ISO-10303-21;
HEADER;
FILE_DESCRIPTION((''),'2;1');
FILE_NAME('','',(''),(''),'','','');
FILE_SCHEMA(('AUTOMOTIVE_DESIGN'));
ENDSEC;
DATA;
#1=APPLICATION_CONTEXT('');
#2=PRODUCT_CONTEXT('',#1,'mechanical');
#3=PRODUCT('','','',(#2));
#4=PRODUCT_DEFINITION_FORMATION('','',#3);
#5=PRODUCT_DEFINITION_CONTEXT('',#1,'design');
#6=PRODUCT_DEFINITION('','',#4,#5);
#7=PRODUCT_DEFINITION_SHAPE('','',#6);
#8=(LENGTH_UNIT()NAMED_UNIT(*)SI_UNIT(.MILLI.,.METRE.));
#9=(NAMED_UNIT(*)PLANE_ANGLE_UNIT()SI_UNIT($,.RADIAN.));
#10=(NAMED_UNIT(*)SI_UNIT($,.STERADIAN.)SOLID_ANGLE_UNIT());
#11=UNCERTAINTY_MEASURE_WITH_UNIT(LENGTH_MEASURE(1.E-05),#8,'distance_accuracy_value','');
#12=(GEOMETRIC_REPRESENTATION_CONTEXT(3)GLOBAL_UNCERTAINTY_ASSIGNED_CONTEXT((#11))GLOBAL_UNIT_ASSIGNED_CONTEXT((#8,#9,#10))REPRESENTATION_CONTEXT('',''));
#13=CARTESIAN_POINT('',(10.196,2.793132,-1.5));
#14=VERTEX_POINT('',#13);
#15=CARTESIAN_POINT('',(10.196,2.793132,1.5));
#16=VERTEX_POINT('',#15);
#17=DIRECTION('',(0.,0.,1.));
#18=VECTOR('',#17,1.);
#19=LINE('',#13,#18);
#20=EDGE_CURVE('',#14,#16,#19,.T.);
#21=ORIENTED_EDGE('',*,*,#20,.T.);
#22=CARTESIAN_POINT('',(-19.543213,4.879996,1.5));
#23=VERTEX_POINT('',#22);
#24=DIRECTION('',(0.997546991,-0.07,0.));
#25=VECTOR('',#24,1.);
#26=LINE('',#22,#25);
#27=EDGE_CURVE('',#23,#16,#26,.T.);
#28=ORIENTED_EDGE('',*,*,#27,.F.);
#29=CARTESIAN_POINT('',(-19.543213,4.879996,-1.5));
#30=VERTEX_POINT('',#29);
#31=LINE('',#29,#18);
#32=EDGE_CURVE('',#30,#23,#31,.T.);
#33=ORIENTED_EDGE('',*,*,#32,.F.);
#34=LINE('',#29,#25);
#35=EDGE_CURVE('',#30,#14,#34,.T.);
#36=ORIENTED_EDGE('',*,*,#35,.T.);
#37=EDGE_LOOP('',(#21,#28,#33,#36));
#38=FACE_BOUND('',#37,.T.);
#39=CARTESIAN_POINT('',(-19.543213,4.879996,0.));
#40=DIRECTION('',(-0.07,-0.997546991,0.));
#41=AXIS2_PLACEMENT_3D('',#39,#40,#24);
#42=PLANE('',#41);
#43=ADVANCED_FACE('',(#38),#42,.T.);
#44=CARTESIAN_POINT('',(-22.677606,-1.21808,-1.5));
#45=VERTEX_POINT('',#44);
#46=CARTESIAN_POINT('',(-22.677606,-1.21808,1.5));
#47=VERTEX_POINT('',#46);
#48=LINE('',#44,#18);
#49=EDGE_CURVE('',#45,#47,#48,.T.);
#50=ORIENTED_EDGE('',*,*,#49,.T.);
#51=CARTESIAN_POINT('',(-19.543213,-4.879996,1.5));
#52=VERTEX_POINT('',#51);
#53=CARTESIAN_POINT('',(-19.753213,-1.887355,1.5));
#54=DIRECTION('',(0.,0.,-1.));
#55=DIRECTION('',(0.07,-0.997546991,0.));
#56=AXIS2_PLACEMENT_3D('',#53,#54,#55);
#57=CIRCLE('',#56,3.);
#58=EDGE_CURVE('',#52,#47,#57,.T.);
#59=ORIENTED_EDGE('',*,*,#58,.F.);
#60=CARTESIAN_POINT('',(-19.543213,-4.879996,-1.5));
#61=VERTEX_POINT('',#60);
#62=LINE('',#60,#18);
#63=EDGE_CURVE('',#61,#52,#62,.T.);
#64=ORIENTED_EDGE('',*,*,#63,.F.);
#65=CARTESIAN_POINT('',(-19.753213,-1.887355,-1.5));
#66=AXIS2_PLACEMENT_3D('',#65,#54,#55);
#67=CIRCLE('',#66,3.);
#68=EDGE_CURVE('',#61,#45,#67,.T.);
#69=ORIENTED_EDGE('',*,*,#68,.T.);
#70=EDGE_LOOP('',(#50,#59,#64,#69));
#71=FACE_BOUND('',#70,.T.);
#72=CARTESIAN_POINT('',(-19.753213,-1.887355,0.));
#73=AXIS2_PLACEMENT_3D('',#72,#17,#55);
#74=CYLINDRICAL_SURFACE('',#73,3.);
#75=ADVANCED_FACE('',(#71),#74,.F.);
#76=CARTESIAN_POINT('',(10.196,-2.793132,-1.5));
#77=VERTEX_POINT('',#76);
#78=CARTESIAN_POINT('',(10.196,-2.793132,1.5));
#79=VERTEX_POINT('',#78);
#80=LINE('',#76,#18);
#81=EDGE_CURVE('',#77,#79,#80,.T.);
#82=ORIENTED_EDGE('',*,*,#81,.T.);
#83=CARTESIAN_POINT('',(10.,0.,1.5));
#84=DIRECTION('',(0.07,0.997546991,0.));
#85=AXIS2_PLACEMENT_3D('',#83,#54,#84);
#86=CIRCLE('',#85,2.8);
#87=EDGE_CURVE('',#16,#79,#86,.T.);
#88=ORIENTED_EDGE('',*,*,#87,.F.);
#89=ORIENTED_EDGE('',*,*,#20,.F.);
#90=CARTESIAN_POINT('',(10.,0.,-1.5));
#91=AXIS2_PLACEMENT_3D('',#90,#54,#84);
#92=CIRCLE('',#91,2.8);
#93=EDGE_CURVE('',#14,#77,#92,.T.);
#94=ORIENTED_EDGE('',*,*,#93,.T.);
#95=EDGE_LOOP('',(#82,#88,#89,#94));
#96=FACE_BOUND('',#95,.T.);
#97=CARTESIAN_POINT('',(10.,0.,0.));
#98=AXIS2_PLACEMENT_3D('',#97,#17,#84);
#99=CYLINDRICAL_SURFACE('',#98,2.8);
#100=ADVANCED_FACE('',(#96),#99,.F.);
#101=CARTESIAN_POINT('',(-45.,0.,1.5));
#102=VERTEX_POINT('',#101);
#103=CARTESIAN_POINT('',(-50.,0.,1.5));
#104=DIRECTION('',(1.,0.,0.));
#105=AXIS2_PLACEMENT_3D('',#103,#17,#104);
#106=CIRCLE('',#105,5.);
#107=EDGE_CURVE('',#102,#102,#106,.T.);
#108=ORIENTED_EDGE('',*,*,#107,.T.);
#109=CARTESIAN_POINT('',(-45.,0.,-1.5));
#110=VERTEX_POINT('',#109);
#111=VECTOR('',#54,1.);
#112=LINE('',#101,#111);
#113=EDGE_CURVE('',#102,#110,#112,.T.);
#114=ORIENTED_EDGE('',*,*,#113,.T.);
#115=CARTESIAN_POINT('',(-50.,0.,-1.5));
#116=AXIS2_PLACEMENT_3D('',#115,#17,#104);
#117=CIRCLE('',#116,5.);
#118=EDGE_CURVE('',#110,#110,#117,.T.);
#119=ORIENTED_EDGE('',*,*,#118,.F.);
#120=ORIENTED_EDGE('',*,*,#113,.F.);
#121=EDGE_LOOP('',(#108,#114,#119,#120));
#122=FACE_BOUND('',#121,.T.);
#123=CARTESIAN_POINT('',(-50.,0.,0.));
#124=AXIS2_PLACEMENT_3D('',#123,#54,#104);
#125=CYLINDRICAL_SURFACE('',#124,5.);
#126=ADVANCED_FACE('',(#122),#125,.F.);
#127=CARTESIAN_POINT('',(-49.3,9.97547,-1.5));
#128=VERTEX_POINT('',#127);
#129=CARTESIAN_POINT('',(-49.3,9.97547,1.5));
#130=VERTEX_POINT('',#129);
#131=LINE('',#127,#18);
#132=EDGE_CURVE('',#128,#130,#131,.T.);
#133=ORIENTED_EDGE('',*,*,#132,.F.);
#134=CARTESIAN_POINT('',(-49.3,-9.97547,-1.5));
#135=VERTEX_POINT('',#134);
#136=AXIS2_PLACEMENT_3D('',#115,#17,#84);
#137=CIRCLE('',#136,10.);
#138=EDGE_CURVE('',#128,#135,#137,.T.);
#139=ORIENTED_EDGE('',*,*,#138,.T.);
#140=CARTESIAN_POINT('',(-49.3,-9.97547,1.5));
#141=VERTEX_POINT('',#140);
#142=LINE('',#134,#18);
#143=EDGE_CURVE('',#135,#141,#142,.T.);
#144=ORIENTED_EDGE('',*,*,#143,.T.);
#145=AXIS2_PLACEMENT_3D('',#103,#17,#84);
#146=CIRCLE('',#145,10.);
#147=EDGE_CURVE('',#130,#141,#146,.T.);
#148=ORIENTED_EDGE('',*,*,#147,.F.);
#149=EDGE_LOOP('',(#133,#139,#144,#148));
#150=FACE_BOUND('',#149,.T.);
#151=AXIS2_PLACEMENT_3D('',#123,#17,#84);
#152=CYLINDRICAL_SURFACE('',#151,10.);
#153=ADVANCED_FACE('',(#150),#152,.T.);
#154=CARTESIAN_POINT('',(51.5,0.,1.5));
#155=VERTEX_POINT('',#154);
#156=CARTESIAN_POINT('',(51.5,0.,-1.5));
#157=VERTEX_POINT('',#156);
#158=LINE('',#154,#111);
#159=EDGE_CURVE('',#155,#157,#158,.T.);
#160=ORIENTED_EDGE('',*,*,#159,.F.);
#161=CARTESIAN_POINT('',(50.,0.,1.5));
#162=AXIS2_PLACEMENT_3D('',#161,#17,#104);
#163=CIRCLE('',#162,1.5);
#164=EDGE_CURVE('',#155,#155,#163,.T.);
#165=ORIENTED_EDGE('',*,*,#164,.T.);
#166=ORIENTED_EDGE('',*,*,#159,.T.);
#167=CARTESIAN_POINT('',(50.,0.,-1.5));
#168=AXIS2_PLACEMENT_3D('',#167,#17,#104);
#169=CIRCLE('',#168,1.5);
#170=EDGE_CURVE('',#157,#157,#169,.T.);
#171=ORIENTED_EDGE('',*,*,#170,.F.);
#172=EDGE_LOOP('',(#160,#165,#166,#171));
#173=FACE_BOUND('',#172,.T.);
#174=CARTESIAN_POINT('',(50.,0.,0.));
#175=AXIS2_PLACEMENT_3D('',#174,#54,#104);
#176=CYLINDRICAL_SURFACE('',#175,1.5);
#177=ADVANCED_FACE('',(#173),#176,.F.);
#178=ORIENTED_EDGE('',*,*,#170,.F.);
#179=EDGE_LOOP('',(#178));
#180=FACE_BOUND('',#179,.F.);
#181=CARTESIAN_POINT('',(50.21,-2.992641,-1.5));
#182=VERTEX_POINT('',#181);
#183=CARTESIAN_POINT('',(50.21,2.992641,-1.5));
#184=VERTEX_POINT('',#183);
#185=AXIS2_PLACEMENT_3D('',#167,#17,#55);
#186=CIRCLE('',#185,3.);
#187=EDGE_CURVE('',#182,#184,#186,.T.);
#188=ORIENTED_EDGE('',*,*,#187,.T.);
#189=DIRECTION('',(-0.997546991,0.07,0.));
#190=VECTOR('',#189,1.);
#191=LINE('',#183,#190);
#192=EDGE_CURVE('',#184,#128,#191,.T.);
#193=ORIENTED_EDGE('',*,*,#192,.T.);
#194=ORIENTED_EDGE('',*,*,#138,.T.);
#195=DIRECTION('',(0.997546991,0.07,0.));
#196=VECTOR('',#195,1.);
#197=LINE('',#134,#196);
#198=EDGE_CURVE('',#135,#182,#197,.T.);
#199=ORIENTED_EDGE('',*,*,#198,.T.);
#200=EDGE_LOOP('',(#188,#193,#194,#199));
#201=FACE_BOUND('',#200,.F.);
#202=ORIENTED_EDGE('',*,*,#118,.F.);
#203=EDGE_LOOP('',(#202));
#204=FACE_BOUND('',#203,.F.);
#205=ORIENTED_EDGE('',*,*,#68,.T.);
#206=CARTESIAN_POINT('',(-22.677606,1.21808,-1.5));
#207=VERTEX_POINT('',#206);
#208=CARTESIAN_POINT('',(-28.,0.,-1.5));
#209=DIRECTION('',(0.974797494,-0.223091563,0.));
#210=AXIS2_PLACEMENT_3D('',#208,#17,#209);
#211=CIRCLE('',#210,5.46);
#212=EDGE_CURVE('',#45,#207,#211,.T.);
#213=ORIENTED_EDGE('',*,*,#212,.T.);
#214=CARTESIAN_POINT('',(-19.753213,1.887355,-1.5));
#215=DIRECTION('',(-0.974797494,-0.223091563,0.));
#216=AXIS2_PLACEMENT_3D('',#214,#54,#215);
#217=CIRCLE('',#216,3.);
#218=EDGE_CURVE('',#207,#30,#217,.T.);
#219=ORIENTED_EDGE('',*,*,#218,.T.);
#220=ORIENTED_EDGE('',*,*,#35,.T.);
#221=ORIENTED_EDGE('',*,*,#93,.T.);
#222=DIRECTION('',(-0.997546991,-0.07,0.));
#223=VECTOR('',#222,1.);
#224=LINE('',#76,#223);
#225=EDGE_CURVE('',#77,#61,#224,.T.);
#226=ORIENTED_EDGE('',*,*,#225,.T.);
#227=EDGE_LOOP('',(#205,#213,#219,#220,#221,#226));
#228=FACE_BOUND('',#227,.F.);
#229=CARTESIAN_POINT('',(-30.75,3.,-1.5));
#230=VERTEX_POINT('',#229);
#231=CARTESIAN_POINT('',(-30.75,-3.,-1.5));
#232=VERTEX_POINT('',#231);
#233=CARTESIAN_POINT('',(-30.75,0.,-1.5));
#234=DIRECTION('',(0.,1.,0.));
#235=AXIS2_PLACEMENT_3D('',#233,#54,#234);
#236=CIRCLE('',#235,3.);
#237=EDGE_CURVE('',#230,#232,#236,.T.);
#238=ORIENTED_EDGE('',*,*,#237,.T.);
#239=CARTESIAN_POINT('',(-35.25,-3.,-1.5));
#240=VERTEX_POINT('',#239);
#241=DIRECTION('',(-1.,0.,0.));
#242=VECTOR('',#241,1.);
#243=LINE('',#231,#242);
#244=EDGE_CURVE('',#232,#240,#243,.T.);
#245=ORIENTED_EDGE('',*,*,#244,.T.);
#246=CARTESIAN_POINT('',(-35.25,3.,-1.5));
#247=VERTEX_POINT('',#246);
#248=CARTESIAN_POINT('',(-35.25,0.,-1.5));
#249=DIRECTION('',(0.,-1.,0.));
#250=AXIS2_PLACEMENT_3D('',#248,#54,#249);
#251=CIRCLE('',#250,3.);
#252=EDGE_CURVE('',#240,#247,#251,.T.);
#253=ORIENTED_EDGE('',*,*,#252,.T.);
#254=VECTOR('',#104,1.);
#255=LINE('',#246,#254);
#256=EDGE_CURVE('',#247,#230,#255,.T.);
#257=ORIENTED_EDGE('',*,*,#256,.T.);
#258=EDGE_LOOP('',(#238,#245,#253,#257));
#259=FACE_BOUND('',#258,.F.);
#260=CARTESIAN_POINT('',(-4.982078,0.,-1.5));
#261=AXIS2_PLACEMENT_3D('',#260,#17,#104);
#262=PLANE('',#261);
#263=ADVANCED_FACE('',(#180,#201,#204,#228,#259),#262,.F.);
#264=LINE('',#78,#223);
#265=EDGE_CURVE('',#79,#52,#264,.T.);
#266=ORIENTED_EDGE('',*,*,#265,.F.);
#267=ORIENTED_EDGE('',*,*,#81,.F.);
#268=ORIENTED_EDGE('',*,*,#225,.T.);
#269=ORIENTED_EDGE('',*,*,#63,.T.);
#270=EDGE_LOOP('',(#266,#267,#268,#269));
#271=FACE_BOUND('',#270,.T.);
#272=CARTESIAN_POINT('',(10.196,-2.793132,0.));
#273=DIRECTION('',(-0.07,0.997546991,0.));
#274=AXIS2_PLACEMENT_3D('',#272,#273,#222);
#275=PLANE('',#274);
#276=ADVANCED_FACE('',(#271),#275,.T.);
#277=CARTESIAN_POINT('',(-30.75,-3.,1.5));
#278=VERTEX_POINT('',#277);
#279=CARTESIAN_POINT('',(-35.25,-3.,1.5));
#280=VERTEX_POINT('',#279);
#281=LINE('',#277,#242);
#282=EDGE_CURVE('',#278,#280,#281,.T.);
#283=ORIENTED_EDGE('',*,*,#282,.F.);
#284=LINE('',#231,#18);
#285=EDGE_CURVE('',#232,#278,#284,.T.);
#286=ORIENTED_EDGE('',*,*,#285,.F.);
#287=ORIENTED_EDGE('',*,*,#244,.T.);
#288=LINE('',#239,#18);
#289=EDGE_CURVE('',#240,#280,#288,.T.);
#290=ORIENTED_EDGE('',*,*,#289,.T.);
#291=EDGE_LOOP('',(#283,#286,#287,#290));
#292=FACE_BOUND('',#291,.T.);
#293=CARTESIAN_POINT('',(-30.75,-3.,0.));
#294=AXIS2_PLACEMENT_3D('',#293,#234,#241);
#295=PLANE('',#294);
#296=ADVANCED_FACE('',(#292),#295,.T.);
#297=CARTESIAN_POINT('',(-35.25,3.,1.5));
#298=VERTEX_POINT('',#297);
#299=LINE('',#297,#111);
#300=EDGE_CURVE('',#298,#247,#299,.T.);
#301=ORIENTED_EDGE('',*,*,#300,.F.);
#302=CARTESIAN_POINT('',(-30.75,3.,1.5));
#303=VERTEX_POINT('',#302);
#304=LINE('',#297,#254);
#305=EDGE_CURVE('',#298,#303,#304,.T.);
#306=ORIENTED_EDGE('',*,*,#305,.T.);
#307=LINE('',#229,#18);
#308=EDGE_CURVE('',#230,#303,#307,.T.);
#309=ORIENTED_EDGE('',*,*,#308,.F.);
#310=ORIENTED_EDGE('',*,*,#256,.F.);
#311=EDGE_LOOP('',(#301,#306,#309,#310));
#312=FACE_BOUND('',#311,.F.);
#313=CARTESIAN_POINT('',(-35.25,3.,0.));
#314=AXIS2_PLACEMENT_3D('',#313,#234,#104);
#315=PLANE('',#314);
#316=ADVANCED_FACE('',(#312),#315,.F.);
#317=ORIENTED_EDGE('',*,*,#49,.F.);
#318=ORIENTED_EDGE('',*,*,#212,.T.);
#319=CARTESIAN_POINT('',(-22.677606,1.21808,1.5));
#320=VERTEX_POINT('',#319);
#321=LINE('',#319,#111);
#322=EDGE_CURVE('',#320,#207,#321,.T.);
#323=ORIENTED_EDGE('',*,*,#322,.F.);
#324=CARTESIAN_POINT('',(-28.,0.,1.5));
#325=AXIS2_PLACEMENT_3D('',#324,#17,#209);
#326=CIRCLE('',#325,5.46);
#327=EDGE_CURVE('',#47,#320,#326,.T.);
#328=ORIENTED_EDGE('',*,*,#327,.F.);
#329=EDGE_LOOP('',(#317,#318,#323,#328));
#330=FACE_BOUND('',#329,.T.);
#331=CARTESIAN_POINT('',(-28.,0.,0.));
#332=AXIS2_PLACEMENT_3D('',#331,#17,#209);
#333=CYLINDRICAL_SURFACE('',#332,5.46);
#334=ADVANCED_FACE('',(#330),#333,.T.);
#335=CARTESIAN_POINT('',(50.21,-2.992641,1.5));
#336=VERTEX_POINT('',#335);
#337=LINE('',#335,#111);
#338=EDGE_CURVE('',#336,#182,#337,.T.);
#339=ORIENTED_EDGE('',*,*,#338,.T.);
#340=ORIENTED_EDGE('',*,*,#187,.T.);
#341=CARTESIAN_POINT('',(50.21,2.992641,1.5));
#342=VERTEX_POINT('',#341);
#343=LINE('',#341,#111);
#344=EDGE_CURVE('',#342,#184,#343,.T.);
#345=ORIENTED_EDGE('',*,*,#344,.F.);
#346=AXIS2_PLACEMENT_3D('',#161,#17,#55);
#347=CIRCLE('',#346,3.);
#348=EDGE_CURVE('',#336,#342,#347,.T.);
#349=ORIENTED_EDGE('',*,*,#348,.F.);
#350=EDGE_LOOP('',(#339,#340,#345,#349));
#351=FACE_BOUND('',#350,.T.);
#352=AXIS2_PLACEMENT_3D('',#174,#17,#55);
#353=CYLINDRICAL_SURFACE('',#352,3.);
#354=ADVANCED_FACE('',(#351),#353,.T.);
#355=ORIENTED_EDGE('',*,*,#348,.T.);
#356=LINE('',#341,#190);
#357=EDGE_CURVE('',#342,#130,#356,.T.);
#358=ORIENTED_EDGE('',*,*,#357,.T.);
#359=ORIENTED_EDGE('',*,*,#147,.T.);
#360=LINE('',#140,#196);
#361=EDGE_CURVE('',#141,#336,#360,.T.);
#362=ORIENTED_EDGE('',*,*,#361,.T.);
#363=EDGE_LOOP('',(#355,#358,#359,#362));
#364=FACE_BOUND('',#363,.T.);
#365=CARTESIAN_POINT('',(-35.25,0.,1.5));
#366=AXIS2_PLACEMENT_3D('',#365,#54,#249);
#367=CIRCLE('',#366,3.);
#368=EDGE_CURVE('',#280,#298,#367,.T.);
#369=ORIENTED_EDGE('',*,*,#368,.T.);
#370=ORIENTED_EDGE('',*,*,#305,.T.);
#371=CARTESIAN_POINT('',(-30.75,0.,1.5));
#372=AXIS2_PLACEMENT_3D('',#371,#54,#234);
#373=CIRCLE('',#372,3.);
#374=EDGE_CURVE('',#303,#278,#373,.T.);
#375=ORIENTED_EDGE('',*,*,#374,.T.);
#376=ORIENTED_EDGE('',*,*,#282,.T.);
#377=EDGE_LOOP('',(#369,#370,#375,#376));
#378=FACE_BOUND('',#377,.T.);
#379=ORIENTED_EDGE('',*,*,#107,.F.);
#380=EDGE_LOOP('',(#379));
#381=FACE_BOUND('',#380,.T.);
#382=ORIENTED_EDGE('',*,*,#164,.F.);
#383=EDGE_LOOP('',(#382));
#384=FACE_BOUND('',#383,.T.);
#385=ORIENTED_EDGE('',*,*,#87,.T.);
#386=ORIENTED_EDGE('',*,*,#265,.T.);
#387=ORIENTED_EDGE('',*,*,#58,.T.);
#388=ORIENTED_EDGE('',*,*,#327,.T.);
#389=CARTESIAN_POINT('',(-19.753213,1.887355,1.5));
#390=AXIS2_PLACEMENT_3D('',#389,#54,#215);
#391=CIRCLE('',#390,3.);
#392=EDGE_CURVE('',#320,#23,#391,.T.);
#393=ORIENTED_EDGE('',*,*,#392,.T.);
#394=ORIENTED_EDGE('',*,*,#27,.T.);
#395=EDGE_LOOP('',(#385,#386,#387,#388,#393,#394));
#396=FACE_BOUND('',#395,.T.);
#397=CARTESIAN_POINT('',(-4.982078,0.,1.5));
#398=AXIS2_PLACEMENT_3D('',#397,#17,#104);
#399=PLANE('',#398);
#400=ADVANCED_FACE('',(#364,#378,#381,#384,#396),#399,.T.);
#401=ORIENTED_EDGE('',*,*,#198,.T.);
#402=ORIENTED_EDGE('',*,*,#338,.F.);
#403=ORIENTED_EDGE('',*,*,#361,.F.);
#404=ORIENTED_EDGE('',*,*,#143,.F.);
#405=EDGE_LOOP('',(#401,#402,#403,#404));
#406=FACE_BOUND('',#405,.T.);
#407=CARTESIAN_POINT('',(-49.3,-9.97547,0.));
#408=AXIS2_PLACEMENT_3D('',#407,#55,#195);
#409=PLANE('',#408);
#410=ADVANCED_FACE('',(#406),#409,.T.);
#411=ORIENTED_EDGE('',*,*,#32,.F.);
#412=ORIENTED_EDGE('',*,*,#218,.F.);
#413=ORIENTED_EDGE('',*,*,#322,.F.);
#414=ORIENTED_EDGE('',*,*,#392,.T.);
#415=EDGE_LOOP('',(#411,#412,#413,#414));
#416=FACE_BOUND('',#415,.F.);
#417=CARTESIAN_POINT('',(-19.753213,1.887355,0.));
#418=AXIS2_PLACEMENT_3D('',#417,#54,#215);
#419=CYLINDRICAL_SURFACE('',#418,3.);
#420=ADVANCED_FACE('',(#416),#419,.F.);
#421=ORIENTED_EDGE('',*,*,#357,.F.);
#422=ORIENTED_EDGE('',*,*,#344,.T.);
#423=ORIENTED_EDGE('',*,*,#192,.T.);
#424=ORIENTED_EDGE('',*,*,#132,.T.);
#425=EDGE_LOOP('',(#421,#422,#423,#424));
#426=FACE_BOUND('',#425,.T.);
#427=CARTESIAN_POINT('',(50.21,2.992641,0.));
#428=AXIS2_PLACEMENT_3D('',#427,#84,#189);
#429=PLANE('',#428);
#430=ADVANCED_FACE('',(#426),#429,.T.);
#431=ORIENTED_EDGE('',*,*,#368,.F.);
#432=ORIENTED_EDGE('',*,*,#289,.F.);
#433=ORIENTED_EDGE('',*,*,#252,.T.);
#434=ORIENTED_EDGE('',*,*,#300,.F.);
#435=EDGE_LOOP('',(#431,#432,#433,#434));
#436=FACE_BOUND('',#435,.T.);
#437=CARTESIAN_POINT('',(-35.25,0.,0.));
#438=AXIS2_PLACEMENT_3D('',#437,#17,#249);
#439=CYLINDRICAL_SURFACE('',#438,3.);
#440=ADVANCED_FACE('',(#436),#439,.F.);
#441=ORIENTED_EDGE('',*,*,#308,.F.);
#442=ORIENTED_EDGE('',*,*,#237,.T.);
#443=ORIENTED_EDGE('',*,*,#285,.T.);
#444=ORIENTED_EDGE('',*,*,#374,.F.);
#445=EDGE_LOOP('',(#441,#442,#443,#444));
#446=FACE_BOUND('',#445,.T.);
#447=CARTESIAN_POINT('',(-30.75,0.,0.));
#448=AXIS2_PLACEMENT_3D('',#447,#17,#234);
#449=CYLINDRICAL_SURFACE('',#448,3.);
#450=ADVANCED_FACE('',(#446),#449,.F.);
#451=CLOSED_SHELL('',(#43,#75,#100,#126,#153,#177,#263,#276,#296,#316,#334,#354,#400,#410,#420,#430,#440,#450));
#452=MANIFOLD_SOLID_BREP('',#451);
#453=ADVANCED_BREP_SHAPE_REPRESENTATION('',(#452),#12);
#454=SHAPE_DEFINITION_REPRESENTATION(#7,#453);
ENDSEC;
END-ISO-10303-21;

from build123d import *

# Parameters (mm, degrees)
F0_R     = 5
F0_R_2   = 1.5
F1_DEPTH = 1.5


with BuildPart() as f1:
    # F0 (on Top) → F1 (new body, symmetric)
    with BuildSketch(Plane.XY):
        with BuildLine():
            Line((50.21, 2.9926409741), (-49.3, 9.9754699137))
            ThreePointArc((-49.3, 9.9754699137), (-60, 0), (-49.3, -9.9754699137))
            Line((-49.3, -9.9754699137), (50.21, -2.9926409741))
            ThreePointArc((50.21, -2.9926409741), (53, 0), (50.21, 2.9926409741))
        make_face()
        with Locations((-50, 0)):
            Circle(F0_R, mode=Mode.SUBTRACT)
        with BuildLine():
            ThreePointArc((-35.25, -3), (-38.25, 0), (-35.25, 3))
            Line((-35.25, 3), (-30.75, 3))
            ThreePointArc((-30.75, 3), (-27.75, 0), (-30.75, -3))
            Line((-30.75, -3), (-35.25, -3))
        make_face(mode=Mode.SUBTRACT)
        with BuildLine():
            ThreePointArc((-19.5432131994, -4.8799955952), (-22.0323332526, -3.838152351), (-22.6776056819, -1.2180799328))
            ThreePointArc((-22.6776056819, -1.2180799328), (-22.54, 0), (-22.6776056819, 1.2180799328))
            ThreePointArc((-22.6776056819, 1.2180799328), (-22.0323332526, 3.838152351), (-19.5432131994, 4.8799955952))
            Line((-19.5432131994, 4.8799955952), (10.196, 2.7931315758))
            ThreePointArc((10.196, 2.7931315758), (12.8, 0), (10.196, -2.7931315758))
            Line((10.196, -2.7931315758), (-19.5432131994, -4.8799955952))
        make_face(mode=Mode.SUBTRACT)
        with Locations((50, 0)):
            Circle(F0_R_2, mode=Mode.SUBTRACT)
    extrude(amount=F1_DEPTH, both=True)


solid = f1.part
